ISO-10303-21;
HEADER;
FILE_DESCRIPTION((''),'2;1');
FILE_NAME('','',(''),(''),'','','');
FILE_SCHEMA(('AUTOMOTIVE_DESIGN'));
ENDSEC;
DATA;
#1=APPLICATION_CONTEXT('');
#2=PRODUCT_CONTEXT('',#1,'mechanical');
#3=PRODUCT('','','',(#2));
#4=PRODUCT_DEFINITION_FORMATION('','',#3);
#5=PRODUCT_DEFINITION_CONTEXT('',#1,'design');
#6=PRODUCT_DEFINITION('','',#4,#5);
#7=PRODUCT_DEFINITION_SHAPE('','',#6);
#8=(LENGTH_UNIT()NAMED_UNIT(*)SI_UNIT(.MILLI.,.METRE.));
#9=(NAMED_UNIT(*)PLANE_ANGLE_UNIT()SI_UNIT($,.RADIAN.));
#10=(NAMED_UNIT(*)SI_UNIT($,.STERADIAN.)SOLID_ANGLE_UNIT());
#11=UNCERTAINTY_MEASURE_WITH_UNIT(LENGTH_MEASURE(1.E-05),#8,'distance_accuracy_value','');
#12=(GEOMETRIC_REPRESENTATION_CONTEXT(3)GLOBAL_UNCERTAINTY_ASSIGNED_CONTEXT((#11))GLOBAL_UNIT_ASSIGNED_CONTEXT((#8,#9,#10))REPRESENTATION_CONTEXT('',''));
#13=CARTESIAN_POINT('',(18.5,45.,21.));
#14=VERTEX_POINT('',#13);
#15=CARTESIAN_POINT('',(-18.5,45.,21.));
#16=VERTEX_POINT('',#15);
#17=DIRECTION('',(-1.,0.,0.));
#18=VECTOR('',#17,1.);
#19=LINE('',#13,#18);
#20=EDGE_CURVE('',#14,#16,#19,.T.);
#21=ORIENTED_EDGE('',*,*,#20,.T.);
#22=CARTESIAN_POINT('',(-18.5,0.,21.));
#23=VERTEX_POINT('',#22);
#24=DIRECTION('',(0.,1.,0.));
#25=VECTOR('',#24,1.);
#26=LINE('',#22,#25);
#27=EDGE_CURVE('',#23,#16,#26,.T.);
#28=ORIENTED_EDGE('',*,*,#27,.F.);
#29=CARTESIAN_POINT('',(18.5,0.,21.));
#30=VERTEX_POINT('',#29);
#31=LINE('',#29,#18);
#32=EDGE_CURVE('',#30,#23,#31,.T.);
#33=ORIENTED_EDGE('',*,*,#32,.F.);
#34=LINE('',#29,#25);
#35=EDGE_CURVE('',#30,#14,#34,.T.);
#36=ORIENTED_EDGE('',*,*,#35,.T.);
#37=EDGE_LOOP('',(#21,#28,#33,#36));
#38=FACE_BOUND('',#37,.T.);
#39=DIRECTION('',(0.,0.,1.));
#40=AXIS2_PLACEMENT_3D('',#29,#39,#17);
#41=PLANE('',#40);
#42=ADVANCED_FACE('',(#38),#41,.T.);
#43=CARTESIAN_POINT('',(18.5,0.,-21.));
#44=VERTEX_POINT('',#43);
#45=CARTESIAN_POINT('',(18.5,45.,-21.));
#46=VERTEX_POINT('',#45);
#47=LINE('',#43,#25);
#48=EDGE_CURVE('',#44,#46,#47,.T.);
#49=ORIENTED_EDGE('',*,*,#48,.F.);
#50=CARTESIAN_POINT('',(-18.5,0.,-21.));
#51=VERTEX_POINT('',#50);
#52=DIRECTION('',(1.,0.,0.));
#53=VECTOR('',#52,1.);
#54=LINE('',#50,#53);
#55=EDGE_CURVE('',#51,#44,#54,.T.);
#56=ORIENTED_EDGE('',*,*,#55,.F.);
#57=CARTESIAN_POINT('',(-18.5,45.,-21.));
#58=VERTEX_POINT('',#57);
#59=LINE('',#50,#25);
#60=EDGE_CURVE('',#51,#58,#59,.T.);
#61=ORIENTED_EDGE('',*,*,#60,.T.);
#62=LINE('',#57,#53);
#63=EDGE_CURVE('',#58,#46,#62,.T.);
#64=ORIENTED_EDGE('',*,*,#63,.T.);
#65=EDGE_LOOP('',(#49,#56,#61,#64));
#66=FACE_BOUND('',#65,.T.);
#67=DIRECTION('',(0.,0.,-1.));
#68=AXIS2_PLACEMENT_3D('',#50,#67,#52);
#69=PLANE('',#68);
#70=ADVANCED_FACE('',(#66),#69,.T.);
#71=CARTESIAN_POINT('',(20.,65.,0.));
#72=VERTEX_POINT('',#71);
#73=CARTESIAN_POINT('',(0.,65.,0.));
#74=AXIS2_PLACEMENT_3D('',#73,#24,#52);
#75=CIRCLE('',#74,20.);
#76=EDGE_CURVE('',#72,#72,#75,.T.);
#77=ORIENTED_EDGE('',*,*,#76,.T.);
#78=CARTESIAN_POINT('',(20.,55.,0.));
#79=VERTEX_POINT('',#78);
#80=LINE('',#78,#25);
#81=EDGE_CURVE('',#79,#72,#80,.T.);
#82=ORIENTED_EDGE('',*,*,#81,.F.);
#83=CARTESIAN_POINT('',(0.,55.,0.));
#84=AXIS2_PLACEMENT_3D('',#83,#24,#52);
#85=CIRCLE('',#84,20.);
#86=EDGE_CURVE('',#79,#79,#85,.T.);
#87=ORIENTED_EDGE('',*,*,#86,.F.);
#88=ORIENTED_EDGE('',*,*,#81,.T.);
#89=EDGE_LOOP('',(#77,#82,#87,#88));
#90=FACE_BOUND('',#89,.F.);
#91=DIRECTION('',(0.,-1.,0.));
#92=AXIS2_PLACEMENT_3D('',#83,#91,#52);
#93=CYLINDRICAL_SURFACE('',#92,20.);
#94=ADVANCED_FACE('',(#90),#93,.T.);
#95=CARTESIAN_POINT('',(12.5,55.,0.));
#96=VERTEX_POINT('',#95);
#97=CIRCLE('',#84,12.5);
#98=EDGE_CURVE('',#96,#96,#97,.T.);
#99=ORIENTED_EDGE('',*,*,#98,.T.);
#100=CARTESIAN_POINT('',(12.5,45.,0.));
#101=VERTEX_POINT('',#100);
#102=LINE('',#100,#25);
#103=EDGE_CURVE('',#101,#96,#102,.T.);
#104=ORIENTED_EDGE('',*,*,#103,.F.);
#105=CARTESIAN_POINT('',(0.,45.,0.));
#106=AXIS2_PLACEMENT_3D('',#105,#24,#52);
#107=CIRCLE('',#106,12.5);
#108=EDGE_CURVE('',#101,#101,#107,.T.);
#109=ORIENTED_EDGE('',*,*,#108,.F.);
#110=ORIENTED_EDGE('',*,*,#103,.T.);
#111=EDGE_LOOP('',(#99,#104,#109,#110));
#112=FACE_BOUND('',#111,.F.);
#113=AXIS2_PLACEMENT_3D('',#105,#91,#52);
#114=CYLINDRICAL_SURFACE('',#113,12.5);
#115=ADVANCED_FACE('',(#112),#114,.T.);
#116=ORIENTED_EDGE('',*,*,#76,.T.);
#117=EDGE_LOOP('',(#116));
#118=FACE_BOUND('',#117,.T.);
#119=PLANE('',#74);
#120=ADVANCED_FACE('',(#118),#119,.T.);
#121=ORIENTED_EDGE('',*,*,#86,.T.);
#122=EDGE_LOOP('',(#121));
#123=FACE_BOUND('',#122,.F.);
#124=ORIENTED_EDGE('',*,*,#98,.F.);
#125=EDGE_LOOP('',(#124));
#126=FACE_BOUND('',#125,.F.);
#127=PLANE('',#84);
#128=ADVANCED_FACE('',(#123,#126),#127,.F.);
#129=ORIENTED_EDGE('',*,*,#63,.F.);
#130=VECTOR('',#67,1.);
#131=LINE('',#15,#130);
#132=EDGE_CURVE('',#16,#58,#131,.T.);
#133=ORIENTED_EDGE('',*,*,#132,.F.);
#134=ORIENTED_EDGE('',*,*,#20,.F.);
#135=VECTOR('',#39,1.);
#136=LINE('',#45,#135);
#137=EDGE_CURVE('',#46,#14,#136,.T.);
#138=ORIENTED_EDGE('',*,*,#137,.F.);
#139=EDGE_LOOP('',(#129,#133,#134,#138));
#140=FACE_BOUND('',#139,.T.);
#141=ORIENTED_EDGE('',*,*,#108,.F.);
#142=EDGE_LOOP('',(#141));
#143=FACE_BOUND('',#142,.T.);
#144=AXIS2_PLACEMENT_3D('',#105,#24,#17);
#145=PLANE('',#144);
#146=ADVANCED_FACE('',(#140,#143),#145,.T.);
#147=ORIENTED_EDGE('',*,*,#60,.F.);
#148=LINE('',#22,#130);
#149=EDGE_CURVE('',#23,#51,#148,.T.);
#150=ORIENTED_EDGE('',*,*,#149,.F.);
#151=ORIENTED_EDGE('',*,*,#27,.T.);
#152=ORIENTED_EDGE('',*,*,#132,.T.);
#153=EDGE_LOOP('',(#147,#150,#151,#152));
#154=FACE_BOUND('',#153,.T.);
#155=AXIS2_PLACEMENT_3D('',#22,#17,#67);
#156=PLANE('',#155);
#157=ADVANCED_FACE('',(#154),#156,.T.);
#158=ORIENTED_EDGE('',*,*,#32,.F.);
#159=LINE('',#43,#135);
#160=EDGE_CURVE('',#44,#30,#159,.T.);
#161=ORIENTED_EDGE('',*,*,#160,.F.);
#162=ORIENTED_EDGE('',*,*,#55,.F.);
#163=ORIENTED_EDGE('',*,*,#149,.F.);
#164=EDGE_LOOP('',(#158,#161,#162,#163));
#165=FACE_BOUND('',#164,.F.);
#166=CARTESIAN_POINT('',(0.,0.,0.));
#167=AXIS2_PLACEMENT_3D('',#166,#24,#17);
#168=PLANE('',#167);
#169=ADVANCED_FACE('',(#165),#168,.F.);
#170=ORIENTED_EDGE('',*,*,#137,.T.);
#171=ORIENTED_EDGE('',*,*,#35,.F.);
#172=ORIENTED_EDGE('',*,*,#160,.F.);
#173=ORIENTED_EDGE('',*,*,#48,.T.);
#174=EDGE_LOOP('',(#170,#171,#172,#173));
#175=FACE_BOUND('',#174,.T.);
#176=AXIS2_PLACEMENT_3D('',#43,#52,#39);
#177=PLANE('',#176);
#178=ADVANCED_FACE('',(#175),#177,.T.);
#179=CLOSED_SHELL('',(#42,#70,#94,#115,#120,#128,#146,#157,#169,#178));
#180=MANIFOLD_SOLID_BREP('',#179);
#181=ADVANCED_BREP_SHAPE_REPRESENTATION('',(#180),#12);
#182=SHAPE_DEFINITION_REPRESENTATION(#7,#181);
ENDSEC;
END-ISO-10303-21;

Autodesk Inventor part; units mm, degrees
ref_plane "YZ Plane" through (0, 0, 0) normal (1, 0, 0) x (0, 1, 0)
ref_plane "XZ Plane" through (0, 0, 0) normal (0, 1, 0) x (-1, 0, 0)
ref_plane "XY Plane" through (0, 0, 0) normal (0, 0, 1) x (1, 0, 0)
sketch "Sketch1" plane through (0, 0, 0) normal (0, 1, 0) x (-1, 0, 0)
  line L0 (-18.5, 21) -> (18.5, 21)
  line L1 (18.5, 21) -> (18.5, -21)
  line L2 (18.5, -21) -> (-18.5, -21)
  line L3 (-18.5, -21) -> (-18.5, 21)
  line L4 (-18.5, 21) -> (18.5, -21) construction
  line L5 (18.5, 21) -> (-18.5, -21) construction
  point P0 (0, 0)
  dimension "d0" = 37
  dimension "d1" = 42
extrude "Extrusion1" add sketch "Sketch1" along normal blind 45
sketch "Sketch2" plane through (0, 45, 0) normal (0, 1, 0) x (1, 0, 0)
  circle A0 centre (0, 0) radius 12.5
  dimension "d4" = 25
extrude "Extrusion2" add sketch "Sketch2" along normal blind 10
sketch "Sketch3" plane through (0, 55, 0) normal (0, 1, 0) x (1, 0, 0)
  circle A0 centre (0, 0) radius 20
  dimension "d7" = 40
extrude "Extrusion3" add sketch "Sketch3" along normal blind 10
properties part number "emergency_stop"
